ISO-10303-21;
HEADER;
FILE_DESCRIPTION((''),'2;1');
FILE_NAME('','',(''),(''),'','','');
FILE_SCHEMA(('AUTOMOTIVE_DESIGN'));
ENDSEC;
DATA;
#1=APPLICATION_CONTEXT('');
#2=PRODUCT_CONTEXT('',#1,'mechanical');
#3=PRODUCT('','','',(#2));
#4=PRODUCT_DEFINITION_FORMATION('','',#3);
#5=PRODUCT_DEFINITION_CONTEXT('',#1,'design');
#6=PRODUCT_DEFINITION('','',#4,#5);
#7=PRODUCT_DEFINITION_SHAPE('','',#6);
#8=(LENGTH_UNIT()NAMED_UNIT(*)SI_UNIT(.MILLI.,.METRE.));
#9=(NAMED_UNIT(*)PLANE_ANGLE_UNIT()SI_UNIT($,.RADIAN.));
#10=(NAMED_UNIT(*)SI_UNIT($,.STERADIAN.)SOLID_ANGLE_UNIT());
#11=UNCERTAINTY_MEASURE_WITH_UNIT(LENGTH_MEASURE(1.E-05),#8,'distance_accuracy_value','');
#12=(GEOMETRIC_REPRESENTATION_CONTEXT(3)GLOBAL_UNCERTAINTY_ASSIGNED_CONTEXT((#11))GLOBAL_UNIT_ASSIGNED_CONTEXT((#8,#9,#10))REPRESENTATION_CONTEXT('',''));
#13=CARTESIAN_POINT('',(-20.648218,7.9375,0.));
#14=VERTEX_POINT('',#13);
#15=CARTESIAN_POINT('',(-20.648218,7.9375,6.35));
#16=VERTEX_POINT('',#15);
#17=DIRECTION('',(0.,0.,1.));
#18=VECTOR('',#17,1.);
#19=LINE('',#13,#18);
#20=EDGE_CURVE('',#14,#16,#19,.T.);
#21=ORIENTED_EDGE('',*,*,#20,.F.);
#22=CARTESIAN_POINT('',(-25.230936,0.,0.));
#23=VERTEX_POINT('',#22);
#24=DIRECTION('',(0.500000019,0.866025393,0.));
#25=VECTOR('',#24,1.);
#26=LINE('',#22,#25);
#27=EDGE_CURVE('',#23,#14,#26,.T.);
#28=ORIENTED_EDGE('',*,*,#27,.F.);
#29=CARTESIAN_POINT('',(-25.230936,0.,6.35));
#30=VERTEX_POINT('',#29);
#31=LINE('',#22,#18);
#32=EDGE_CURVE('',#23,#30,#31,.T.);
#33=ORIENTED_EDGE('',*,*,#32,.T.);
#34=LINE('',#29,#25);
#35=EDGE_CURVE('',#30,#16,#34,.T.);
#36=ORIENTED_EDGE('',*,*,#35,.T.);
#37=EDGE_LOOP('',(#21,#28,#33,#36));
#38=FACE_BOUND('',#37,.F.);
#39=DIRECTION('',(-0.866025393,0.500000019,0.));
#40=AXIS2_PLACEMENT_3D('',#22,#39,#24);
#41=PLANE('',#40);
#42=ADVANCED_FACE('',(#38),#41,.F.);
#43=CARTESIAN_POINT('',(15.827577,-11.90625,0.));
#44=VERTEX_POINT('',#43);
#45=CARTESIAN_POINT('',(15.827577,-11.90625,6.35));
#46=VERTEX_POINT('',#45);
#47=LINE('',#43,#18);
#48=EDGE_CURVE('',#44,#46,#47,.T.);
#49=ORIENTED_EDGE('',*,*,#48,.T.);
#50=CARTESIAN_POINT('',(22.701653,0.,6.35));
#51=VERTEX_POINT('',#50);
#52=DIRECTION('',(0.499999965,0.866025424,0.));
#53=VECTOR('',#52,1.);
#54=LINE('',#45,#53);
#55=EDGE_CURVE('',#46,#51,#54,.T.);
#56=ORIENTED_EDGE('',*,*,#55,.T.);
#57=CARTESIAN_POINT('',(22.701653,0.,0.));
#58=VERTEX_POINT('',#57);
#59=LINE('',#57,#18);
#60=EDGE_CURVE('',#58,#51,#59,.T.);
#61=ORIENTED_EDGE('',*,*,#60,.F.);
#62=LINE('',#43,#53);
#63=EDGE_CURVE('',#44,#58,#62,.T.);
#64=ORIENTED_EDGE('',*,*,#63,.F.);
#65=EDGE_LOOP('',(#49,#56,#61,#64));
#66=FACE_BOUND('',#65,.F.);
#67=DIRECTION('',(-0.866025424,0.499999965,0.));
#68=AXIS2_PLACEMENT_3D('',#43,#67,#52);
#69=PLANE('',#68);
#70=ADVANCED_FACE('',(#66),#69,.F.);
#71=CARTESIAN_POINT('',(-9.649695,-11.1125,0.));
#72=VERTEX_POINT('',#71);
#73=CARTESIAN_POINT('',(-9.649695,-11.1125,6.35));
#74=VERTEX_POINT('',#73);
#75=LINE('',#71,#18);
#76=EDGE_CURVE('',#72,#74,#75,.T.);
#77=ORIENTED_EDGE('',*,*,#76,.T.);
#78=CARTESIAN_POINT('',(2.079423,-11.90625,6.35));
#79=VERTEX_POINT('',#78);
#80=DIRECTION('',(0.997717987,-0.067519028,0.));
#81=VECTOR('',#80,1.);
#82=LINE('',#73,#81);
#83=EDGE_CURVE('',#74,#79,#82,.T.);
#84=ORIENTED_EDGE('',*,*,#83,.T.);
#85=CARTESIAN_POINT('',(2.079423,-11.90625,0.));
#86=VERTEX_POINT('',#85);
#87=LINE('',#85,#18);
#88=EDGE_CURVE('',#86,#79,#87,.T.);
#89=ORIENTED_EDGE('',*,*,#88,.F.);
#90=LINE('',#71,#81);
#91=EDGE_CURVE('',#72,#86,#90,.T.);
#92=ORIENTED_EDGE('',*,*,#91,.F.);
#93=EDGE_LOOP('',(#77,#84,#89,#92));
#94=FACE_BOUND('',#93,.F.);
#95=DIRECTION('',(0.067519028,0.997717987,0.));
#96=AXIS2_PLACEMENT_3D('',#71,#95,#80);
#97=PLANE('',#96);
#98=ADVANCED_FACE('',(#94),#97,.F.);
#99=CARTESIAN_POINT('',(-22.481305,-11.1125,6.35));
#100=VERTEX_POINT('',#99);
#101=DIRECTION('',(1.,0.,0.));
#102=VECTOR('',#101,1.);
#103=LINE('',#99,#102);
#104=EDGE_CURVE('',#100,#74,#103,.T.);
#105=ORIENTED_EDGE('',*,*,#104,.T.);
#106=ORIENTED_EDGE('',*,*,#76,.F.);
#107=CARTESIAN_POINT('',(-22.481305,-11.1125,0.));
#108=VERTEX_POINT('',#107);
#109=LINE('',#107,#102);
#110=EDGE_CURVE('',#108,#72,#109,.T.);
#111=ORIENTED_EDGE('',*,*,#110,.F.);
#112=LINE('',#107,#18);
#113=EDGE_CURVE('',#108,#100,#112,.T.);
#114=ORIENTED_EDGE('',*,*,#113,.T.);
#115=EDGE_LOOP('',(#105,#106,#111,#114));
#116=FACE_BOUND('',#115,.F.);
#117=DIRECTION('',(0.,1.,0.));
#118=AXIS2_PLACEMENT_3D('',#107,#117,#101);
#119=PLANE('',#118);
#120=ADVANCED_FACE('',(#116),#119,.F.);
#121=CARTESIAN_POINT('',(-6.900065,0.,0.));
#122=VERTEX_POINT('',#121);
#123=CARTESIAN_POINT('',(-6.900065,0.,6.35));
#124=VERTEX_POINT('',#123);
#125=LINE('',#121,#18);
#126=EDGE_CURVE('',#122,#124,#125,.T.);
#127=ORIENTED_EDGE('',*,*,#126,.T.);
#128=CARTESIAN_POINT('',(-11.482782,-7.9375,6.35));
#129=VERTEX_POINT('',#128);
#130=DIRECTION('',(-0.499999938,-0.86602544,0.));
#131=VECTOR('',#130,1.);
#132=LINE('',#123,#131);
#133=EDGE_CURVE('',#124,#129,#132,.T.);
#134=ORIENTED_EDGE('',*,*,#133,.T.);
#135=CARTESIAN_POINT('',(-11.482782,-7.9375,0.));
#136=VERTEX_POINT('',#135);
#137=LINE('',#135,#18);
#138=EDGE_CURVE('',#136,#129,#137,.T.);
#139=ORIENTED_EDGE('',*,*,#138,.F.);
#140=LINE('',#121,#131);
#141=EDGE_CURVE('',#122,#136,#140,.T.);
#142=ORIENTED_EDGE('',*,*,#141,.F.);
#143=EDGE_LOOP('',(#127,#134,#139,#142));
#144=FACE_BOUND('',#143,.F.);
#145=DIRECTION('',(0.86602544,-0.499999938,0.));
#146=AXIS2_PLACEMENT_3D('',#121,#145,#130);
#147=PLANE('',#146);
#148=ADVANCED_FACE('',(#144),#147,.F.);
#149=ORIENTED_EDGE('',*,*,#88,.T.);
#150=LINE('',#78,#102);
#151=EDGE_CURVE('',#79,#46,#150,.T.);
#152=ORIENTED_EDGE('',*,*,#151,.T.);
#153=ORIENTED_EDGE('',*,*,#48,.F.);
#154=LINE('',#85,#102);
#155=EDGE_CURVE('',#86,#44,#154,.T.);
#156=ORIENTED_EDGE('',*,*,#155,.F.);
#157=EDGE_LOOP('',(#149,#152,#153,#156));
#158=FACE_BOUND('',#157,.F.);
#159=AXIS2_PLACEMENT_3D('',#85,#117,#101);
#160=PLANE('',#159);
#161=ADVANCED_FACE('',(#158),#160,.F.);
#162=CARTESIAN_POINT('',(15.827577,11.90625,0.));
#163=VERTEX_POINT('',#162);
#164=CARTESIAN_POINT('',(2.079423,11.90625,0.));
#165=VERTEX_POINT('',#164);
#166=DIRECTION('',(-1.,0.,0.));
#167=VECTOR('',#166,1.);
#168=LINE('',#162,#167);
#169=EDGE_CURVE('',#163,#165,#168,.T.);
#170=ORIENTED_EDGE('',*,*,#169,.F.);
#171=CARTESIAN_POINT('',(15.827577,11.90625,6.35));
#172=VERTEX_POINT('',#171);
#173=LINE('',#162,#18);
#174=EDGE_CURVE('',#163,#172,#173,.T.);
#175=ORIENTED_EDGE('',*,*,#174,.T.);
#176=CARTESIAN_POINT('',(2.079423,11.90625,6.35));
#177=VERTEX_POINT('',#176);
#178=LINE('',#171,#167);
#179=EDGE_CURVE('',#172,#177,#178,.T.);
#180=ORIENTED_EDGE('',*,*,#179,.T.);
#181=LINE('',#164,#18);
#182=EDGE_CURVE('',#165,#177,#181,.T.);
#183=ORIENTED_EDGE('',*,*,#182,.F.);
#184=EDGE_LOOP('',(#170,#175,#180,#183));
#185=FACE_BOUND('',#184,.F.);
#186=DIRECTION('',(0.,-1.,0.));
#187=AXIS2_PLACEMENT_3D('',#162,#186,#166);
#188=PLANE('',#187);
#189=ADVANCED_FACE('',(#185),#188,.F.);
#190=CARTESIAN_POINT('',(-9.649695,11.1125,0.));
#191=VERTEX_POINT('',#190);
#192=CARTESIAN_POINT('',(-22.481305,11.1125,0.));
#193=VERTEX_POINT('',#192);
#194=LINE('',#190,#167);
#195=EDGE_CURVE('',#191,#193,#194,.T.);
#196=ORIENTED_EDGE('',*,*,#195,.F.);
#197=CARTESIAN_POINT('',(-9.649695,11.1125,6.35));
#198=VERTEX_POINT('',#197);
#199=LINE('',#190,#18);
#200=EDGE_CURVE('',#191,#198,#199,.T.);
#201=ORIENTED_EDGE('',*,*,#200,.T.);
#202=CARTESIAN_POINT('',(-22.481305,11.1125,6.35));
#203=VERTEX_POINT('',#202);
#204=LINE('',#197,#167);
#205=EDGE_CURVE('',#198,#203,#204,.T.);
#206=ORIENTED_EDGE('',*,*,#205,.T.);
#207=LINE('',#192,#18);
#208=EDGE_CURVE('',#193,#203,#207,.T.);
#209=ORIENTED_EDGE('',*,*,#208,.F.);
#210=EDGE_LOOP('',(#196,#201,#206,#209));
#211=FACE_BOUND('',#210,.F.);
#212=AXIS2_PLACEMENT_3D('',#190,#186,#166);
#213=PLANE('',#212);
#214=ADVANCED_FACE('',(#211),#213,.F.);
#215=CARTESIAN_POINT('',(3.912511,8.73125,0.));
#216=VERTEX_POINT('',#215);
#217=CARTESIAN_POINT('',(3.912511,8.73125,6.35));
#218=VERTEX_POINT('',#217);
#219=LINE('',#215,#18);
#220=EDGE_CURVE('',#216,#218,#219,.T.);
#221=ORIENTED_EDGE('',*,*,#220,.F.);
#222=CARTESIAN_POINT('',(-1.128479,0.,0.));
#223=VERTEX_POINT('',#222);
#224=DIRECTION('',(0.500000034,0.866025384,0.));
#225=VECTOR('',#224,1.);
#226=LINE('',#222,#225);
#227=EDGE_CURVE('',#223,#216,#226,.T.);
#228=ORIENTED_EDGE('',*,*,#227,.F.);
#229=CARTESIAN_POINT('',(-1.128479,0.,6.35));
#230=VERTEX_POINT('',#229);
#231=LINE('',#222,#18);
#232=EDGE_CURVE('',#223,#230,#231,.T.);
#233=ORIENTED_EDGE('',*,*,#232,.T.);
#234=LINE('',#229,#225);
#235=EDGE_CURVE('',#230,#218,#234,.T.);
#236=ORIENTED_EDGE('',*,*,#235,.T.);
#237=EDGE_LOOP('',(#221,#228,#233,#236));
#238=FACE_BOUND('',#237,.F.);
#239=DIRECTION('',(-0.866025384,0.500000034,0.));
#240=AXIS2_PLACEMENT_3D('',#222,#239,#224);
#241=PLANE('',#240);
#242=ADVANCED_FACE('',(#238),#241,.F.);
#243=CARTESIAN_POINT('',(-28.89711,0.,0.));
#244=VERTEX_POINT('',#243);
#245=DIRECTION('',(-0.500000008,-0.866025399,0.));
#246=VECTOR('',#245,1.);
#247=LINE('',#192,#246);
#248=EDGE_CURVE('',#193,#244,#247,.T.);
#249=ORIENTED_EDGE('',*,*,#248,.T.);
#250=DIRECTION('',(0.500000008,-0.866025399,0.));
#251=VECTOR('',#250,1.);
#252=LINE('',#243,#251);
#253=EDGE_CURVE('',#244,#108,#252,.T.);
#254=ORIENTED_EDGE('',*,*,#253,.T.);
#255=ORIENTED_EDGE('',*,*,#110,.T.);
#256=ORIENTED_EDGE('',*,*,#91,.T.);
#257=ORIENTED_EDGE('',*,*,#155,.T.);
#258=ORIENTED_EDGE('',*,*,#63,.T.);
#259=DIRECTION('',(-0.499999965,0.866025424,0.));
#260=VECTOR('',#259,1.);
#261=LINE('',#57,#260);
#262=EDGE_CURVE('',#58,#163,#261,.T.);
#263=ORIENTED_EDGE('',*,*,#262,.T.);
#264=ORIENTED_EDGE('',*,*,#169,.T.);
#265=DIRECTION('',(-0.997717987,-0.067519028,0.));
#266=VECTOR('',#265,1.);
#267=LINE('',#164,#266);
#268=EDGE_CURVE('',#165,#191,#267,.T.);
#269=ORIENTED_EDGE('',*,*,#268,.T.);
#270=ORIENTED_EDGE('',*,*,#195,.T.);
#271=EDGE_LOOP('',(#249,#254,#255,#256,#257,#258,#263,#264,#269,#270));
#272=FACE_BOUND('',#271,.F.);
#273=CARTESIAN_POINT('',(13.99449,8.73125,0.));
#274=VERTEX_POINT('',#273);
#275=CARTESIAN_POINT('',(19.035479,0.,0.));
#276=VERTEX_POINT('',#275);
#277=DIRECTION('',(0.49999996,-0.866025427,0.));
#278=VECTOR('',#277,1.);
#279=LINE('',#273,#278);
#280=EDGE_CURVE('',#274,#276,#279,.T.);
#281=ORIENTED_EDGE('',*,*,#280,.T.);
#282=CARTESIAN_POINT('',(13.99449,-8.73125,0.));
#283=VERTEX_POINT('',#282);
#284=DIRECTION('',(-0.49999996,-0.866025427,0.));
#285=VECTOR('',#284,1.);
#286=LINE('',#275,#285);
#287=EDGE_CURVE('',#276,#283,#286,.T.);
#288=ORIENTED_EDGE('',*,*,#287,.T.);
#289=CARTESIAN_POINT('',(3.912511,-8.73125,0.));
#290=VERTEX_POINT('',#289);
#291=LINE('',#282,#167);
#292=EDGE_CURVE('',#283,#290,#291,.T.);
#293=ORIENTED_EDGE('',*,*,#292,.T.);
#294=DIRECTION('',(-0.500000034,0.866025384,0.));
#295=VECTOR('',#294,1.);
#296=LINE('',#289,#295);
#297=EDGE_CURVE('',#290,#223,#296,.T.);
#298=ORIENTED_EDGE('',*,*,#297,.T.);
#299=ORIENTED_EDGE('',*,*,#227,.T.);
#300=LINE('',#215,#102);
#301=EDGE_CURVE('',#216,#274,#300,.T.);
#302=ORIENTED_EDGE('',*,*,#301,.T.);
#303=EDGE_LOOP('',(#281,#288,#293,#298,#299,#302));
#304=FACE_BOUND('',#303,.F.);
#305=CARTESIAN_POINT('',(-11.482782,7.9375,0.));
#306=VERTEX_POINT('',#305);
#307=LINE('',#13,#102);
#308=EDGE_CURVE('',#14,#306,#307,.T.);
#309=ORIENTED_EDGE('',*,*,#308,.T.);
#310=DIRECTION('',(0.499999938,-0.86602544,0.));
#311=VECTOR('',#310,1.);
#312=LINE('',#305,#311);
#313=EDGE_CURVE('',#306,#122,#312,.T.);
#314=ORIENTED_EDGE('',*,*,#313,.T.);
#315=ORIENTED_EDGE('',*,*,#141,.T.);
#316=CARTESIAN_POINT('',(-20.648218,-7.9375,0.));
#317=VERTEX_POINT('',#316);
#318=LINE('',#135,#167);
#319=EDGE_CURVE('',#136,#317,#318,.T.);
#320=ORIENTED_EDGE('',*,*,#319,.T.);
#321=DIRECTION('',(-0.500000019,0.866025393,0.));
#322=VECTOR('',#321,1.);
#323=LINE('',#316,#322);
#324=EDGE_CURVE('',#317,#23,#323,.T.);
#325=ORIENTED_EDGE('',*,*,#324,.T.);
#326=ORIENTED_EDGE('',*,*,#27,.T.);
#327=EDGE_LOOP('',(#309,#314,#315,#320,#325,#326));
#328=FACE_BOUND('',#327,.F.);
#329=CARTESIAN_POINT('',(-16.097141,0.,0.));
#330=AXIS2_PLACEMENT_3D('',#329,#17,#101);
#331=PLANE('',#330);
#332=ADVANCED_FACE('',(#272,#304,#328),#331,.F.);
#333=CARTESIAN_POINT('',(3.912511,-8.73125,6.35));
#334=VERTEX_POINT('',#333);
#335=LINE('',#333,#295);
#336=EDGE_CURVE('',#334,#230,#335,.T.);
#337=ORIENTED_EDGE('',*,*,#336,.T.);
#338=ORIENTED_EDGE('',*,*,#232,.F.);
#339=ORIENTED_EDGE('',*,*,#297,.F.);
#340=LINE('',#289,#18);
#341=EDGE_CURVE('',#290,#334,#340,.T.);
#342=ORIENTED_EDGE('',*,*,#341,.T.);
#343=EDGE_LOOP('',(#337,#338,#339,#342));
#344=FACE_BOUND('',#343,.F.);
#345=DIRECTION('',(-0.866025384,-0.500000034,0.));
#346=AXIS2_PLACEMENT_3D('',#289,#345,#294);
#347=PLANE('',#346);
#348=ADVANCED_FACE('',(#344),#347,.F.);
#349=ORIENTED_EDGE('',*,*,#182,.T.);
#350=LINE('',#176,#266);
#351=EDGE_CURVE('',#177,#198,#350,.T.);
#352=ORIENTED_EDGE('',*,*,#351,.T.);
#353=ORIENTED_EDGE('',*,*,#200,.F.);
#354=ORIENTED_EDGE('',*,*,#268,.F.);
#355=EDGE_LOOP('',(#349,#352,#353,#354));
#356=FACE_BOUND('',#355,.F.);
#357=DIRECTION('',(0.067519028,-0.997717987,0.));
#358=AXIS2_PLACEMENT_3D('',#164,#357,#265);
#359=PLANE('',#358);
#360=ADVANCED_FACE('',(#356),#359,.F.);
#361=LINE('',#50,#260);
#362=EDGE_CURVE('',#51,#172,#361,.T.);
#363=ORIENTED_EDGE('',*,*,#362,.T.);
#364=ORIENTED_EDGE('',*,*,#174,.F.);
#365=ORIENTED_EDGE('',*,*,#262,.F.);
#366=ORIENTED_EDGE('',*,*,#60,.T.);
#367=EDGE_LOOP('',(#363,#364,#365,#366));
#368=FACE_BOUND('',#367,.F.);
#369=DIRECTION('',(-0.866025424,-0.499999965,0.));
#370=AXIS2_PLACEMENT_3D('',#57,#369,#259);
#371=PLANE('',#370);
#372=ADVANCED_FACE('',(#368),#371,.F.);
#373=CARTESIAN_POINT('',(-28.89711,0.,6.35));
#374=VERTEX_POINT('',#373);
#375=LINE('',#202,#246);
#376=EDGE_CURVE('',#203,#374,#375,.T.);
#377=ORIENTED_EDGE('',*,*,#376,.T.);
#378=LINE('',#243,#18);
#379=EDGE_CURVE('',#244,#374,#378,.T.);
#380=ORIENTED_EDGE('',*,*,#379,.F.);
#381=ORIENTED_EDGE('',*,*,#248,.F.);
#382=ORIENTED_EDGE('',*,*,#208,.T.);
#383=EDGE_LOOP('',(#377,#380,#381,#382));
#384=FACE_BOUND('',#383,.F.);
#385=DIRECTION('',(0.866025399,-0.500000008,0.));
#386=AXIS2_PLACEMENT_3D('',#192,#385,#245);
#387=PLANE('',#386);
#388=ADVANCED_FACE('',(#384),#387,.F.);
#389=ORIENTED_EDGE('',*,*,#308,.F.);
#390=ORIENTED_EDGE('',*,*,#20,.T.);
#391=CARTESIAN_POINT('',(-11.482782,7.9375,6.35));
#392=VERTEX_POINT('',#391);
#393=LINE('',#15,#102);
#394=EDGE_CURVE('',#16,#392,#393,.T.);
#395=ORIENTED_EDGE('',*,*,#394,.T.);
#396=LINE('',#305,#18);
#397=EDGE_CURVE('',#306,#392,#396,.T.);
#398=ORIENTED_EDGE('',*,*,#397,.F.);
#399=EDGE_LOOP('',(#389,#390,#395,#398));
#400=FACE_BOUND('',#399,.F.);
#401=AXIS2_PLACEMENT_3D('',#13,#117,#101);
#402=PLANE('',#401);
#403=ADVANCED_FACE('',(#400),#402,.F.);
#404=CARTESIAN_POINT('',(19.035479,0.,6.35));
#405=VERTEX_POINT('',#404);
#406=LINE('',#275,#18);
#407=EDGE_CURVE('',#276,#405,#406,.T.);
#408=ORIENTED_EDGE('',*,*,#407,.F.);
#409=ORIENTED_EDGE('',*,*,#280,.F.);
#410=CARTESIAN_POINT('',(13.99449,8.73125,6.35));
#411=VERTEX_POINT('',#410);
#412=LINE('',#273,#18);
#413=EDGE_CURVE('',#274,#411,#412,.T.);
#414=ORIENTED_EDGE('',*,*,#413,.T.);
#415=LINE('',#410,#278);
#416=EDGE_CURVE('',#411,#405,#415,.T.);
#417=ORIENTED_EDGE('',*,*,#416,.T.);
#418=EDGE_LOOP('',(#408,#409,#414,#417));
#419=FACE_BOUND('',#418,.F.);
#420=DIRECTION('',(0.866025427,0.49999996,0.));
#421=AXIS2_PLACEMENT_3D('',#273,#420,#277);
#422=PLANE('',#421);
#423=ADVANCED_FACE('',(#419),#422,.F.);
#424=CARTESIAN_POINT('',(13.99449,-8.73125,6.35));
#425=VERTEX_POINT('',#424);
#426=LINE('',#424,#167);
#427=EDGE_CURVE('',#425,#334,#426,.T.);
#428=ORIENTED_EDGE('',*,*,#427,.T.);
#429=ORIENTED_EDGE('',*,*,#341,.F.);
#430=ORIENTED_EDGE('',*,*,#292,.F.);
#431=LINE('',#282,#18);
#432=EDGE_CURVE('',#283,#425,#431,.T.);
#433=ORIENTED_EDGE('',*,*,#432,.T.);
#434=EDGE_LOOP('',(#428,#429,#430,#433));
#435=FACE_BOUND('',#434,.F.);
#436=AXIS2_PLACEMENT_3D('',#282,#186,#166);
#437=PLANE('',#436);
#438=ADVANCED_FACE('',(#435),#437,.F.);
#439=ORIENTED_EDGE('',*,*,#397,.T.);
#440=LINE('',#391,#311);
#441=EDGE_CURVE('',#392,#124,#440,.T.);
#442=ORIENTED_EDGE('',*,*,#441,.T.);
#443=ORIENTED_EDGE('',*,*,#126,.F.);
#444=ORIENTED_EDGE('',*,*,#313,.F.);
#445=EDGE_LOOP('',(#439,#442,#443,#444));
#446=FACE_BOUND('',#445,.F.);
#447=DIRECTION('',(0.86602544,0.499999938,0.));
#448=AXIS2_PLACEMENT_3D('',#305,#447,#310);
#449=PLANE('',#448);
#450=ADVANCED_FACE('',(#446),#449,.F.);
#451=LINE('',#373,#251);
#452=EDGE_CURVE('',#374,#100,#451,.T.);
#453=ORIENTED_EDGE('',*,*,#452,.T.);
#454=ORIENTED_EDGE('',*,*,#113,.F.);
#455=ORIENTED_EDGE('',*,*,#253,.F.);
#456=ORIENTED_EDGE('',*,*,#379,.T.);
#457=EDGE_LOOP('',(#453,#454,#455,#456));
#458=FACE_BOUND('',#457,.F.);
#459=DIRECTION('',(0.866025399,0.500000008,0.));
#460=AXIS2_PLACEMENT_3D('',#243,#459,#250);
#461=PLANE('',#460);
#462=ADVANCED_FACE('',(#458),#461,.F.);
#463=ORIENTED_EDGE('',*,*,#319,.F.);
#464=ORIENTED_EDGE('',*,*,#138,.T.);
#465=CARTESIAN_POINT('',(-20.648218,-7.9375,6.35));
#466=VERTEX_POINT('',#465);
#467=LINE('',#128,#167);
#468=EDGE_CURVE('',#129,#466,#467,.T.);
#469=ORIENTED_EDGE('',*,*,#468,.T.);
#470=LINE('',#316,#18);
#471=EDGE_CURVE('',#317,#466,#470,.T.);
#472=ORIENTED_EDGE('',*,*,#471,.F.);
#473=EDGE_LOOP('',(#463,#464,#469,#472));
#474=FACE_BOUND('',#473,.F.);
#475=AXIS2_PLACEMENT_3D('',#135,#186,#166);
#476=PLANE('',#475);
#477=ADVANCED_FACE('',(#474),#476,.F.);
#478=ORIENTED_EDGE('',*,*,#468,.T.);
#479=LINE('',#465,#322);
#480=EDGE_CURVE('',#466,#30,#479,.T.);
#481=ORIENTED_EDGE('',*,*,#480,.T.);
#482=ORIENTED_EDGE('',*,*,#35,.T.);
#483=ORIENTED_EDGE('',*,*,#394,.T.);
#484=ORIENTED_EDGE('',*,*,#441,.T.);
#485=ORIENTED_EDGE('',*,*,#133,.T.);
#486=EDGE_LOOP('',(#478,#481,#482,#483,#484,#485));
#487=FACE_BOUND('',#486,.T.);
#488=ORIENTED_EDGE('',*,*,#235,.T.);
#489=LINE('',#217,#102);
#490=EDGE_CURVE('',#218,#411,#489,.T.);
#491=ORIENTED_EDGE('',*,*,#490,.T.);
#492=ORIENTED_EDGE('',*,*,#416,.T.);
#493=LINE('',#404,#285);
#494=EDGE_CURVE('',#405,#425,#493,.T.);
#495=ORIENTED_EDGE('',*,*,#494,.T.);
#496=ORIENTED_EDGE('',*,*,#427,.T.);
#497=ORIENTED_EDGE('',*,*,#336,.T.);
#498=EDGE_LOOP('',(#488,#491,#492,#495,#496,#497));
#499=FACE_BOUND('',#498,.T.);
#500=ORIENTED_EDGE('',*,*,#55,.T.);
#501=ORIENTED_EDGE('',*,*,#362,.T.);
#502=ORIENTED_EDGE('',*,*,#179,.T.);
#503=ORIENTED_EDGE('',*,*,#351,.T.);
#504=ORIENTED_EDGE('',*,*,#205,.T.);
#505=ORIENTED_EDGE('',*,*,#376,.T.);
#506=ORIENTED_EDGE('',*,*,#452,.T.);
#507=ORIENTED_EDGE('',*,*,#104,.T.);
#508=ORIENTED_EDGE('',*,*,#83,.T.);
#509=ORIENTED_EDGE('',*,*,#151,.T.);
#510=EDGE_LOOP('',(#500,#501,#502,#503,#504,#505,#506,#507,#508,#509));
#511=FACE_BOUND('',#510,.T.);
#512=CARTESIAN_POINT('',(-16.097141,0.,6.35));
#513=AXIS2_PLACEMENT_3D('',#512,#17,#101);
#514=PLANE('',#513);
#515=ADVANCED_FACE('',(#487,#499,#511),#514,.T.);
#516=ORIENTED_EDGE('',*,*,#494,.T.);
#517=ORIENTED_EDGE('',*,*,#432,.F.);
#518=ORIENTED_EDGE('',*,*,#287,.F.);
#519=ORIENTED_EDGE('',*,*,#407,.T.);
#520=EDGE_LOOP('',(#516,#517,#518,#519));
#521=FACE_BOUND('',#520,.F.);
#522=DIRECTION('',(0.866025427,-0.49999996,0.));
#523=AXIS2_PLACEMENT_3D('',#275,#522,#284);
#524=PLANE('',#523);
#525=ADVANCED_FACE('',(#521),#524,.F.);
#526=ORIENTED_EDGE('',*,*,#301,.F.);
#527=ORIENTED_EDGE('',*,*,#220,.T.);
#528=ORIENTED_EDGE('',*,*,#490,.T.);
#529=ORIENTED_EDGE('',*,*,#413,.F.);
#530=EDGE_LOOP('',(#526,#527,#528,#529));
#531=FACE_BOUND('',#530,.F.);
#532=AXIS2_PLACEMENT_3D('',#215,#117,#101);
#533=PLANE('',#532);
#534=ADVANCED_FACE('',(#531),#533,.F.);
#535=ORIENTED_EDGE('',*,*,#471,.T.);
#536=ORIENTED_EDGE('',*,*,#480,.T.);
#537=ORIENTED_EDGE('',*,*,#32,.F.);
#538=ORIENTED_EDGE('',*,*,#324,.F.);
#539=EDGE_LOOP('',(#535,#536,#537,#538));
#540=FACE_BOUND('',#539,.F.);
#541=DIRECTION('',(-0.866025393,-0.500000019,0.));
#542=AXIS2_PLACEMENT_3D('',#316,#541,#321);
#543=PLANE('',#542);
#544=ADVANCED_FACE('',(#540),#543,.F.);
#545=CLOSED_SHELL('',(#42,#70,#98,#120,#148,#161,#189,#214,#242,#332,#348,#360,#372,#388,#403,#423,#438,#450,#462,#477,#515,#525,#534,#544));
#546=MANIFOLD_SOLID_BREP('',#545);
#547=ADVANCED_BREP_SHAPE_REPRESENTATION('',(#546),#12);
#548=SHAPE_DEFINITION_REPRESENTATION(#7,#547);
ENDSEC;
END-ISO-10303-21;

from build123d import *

# Parameters (mm, degrees)
F1_DEPTH = 6.35


with BuildPart() as f1:
    # F0 (on Top) → F1 (new body)
    with BuildSketch(Plane.XY):
        Polygon((-22.481305, -11.1125), (-9.649695, -11.1125), (-4.014272, -1.35166), (-4.794653, 0), (-4.014272, 1.35166), (-9.649695, 11.1125), (-22.481305, 11.1125), (-28.89711, 0), align=None)
        Polygon((-6.900065, 0), (-11.482782, -7.9375), (-20.648218, -7.9375), (-25.230936, 0), (-20.648218, 7.9375), (-11.482782, 7.9375), align=None, mode=Mode.SUBTRACT)
        Polygon((-9.649695, 11.1125), (-4.014272, 1.35166), (2.079423, 11.90625), align=None)
        Polygon((-4.014272, -1.35166), (-9.649695, -11.1125), (2.079423, -11.90625), align=None)
        Polygon((-3.23389, 0), (-4.014272, -1.35166), (2.079423, -11.90625), (15.827577, -11.90625), (22.701653, 0), (15.827577, 11.90625), (2.079423, 11.90625), (-4.014272, 1.35166), align=None)
        Polygon((19.035479, 0), (13.99449, -8.73125), (3.912511, -8.73125), (-1.128479, 0), (3.912511, 8.73125), (13.99449, 8.73125), align=None, mode=Mode.SUBTRACT)
        Polygon((-4.794653, 0), (-4.014272, -1.35166), (-3.23389, 0), (-4.014272, 1.35166), align=None)
    extrude(amount=F1_DEPTH)


solid = f1.part
